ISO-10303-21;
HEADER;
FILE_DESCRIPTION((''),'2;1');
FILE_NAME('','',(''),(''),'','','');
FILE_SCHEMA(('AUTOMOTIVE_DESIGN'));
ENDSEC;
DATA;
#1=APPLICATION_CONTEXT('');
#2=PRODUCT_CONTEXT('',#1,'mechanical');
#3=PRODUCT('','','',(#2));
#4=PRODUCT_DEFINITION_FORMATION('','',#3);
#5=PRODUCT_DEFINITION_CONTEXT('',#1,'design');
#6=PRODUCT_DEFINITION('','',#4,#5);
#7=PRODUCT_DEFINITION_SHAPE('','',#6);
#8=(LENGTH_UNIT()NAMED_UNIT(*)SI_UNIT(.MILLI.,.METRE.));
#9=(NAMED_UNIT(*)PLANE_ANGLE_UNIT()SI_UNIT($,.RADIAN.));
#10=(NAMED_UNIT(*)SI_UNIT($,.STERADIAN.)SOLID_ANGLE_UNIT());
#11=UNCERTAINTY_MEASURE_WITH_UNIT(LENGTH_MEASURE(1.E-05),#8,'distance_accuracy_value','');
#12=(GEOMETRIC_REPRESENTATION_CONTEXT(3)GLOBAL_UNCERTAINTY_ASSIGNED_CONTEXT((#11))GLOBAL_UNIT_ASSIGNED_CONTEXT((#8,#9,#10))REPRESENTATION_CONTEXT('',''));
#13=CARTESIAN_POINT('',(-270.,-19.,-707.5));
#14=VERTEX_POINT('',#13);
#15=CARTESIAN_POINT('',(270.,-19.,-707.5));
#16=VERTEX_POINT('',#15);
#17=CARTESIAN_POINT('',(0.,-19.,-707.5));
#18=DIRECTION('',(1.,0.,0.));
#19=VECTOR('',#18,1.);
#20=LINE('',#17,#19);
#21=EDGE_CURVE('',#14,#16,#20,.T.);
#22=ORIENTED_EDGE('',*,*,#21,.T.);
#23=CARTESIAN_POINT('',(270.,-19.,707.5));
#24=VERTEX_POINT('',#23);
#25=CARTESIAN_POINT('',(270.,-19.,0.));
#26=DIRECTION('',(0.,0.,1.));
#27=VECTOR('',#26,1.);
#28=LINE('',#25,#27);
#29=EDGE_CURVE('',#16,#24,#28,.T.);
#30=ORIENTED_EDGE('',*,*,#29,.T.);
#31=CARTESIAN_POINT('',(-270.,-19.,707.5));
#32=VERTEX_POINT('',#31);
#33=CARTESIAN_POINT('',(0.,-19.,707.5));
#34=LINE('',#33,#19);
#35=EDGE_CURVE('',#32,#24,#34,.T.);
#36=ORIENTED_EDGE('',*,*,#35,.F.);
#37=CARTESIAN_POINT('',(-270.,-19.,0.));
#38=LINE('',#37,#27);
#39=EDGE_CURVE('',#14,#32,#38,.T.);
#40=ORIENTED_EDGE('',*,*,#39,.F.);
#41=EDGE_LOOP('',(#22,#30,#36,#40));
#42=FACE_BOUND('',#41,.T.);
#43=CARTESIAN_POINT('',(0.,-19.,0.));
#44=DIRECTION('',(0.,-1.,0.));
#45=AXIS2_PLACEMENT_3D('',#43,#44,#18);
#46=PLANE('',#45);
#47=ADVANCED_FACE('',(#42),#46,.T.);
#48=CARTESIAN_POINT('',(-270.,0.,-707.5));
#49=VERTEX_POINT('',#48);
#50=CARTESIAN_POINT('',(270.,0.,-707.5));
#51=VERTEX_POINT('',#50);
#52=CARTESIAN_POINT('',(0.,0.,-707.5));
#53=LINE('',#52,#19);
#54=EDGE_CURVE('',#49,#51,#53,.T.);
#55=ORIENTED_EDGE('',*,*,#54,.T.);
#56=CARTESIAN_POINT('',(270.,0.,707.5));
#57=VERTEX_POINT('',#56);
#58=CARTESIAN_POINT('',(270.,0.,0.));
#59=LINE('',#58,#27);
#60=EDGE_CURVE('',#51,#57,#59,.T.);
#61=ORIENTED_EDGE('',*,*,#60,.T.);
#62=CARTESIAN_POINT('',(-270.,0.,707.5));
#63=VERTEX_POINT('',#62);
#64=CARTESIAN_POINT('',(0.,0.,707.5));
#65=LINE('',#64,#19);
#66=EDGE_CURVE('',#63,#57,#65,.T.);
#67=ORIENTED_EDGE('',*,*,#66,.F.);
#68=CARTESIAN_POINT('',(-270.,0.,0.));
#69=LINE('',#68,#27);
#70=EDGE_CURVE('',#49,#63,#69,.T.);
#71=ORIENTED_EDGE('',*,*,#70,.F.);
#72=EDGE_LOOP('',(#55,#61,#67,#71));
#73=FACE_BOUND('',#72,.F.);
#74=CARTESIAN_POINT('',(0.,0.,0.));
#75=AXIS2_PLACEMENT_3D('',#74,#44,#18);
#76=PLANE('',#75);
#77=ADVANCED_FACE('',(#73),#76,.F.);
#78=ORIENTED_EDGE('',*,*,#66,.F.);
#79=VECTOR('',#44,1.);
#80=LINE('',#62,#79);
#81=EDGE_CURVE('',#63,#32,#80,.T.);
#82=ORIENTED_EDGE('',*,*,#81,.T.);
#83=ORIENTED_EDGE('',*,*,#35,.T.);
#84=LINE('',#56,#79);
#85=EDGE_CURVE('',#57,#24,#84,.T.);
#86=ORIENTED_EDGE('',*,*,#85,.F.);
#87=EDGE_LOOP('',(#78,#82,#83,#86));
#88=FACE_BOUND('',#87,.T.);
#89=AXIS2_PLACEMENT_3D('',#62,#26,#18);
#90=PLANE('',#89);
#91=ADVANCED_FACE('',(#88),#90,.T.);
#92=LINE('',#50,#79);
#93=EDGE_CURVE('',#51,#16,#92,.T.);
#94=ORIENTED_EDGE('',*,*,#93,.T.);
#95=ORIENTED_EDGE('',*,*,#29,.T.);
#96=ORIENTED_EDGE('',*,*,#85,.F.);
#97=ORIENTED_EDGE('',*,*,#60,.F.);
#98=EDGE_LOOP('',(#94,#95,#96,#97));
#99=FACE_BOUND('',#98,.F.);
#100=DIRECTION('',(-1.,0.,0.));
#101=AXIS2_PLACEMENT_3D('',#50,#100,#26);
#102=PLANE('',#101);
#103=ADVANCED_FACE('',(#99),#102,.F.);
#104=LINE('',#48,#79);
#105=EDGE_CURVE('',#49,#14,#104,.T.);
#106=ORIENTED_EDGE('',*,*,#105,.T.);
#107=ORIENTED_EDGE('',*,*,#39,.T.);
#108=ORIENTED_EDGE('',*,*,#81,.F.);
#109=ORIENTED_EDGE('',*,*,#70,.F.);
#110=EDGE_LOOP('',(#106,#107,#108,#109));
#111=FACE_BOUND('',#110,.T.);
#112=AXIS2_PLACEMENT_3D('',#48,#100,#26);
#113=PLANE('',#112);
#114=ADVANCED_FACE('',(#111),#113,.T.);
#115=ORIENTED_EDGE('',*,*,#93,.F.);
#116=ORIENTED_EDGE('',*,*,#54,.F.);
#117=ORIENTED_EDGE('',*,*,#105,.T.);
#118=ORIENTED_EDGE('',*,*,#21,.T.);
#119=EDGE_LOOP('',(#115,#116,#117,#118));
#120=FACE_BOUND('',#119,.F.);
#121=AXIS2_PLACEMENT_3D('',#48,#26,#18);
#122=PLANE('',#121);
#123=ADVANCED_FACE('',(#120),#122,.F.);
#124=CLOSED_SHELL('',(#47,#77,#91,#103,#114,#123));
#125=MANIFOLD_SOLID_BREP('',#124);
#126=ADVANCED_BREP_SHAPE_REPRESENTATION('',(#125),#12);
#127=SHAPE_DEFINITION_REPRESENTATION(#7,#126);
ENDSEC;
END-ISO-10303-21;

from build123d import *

# Parameters (mm, degrees)
SKETCH004_W  = 540
SKETCH004_H  = 1415
PAD004_DEPTH = 19


with BuildPart() as part:
    # Sketch004 → Pad004 (new body)
    with BuildSketch(Plane.XZ):
        Rectangle(SKETCH004_W, SKETCH004_H)
    extrude(amount=PAD004_DEPTH)


solid = part.part
